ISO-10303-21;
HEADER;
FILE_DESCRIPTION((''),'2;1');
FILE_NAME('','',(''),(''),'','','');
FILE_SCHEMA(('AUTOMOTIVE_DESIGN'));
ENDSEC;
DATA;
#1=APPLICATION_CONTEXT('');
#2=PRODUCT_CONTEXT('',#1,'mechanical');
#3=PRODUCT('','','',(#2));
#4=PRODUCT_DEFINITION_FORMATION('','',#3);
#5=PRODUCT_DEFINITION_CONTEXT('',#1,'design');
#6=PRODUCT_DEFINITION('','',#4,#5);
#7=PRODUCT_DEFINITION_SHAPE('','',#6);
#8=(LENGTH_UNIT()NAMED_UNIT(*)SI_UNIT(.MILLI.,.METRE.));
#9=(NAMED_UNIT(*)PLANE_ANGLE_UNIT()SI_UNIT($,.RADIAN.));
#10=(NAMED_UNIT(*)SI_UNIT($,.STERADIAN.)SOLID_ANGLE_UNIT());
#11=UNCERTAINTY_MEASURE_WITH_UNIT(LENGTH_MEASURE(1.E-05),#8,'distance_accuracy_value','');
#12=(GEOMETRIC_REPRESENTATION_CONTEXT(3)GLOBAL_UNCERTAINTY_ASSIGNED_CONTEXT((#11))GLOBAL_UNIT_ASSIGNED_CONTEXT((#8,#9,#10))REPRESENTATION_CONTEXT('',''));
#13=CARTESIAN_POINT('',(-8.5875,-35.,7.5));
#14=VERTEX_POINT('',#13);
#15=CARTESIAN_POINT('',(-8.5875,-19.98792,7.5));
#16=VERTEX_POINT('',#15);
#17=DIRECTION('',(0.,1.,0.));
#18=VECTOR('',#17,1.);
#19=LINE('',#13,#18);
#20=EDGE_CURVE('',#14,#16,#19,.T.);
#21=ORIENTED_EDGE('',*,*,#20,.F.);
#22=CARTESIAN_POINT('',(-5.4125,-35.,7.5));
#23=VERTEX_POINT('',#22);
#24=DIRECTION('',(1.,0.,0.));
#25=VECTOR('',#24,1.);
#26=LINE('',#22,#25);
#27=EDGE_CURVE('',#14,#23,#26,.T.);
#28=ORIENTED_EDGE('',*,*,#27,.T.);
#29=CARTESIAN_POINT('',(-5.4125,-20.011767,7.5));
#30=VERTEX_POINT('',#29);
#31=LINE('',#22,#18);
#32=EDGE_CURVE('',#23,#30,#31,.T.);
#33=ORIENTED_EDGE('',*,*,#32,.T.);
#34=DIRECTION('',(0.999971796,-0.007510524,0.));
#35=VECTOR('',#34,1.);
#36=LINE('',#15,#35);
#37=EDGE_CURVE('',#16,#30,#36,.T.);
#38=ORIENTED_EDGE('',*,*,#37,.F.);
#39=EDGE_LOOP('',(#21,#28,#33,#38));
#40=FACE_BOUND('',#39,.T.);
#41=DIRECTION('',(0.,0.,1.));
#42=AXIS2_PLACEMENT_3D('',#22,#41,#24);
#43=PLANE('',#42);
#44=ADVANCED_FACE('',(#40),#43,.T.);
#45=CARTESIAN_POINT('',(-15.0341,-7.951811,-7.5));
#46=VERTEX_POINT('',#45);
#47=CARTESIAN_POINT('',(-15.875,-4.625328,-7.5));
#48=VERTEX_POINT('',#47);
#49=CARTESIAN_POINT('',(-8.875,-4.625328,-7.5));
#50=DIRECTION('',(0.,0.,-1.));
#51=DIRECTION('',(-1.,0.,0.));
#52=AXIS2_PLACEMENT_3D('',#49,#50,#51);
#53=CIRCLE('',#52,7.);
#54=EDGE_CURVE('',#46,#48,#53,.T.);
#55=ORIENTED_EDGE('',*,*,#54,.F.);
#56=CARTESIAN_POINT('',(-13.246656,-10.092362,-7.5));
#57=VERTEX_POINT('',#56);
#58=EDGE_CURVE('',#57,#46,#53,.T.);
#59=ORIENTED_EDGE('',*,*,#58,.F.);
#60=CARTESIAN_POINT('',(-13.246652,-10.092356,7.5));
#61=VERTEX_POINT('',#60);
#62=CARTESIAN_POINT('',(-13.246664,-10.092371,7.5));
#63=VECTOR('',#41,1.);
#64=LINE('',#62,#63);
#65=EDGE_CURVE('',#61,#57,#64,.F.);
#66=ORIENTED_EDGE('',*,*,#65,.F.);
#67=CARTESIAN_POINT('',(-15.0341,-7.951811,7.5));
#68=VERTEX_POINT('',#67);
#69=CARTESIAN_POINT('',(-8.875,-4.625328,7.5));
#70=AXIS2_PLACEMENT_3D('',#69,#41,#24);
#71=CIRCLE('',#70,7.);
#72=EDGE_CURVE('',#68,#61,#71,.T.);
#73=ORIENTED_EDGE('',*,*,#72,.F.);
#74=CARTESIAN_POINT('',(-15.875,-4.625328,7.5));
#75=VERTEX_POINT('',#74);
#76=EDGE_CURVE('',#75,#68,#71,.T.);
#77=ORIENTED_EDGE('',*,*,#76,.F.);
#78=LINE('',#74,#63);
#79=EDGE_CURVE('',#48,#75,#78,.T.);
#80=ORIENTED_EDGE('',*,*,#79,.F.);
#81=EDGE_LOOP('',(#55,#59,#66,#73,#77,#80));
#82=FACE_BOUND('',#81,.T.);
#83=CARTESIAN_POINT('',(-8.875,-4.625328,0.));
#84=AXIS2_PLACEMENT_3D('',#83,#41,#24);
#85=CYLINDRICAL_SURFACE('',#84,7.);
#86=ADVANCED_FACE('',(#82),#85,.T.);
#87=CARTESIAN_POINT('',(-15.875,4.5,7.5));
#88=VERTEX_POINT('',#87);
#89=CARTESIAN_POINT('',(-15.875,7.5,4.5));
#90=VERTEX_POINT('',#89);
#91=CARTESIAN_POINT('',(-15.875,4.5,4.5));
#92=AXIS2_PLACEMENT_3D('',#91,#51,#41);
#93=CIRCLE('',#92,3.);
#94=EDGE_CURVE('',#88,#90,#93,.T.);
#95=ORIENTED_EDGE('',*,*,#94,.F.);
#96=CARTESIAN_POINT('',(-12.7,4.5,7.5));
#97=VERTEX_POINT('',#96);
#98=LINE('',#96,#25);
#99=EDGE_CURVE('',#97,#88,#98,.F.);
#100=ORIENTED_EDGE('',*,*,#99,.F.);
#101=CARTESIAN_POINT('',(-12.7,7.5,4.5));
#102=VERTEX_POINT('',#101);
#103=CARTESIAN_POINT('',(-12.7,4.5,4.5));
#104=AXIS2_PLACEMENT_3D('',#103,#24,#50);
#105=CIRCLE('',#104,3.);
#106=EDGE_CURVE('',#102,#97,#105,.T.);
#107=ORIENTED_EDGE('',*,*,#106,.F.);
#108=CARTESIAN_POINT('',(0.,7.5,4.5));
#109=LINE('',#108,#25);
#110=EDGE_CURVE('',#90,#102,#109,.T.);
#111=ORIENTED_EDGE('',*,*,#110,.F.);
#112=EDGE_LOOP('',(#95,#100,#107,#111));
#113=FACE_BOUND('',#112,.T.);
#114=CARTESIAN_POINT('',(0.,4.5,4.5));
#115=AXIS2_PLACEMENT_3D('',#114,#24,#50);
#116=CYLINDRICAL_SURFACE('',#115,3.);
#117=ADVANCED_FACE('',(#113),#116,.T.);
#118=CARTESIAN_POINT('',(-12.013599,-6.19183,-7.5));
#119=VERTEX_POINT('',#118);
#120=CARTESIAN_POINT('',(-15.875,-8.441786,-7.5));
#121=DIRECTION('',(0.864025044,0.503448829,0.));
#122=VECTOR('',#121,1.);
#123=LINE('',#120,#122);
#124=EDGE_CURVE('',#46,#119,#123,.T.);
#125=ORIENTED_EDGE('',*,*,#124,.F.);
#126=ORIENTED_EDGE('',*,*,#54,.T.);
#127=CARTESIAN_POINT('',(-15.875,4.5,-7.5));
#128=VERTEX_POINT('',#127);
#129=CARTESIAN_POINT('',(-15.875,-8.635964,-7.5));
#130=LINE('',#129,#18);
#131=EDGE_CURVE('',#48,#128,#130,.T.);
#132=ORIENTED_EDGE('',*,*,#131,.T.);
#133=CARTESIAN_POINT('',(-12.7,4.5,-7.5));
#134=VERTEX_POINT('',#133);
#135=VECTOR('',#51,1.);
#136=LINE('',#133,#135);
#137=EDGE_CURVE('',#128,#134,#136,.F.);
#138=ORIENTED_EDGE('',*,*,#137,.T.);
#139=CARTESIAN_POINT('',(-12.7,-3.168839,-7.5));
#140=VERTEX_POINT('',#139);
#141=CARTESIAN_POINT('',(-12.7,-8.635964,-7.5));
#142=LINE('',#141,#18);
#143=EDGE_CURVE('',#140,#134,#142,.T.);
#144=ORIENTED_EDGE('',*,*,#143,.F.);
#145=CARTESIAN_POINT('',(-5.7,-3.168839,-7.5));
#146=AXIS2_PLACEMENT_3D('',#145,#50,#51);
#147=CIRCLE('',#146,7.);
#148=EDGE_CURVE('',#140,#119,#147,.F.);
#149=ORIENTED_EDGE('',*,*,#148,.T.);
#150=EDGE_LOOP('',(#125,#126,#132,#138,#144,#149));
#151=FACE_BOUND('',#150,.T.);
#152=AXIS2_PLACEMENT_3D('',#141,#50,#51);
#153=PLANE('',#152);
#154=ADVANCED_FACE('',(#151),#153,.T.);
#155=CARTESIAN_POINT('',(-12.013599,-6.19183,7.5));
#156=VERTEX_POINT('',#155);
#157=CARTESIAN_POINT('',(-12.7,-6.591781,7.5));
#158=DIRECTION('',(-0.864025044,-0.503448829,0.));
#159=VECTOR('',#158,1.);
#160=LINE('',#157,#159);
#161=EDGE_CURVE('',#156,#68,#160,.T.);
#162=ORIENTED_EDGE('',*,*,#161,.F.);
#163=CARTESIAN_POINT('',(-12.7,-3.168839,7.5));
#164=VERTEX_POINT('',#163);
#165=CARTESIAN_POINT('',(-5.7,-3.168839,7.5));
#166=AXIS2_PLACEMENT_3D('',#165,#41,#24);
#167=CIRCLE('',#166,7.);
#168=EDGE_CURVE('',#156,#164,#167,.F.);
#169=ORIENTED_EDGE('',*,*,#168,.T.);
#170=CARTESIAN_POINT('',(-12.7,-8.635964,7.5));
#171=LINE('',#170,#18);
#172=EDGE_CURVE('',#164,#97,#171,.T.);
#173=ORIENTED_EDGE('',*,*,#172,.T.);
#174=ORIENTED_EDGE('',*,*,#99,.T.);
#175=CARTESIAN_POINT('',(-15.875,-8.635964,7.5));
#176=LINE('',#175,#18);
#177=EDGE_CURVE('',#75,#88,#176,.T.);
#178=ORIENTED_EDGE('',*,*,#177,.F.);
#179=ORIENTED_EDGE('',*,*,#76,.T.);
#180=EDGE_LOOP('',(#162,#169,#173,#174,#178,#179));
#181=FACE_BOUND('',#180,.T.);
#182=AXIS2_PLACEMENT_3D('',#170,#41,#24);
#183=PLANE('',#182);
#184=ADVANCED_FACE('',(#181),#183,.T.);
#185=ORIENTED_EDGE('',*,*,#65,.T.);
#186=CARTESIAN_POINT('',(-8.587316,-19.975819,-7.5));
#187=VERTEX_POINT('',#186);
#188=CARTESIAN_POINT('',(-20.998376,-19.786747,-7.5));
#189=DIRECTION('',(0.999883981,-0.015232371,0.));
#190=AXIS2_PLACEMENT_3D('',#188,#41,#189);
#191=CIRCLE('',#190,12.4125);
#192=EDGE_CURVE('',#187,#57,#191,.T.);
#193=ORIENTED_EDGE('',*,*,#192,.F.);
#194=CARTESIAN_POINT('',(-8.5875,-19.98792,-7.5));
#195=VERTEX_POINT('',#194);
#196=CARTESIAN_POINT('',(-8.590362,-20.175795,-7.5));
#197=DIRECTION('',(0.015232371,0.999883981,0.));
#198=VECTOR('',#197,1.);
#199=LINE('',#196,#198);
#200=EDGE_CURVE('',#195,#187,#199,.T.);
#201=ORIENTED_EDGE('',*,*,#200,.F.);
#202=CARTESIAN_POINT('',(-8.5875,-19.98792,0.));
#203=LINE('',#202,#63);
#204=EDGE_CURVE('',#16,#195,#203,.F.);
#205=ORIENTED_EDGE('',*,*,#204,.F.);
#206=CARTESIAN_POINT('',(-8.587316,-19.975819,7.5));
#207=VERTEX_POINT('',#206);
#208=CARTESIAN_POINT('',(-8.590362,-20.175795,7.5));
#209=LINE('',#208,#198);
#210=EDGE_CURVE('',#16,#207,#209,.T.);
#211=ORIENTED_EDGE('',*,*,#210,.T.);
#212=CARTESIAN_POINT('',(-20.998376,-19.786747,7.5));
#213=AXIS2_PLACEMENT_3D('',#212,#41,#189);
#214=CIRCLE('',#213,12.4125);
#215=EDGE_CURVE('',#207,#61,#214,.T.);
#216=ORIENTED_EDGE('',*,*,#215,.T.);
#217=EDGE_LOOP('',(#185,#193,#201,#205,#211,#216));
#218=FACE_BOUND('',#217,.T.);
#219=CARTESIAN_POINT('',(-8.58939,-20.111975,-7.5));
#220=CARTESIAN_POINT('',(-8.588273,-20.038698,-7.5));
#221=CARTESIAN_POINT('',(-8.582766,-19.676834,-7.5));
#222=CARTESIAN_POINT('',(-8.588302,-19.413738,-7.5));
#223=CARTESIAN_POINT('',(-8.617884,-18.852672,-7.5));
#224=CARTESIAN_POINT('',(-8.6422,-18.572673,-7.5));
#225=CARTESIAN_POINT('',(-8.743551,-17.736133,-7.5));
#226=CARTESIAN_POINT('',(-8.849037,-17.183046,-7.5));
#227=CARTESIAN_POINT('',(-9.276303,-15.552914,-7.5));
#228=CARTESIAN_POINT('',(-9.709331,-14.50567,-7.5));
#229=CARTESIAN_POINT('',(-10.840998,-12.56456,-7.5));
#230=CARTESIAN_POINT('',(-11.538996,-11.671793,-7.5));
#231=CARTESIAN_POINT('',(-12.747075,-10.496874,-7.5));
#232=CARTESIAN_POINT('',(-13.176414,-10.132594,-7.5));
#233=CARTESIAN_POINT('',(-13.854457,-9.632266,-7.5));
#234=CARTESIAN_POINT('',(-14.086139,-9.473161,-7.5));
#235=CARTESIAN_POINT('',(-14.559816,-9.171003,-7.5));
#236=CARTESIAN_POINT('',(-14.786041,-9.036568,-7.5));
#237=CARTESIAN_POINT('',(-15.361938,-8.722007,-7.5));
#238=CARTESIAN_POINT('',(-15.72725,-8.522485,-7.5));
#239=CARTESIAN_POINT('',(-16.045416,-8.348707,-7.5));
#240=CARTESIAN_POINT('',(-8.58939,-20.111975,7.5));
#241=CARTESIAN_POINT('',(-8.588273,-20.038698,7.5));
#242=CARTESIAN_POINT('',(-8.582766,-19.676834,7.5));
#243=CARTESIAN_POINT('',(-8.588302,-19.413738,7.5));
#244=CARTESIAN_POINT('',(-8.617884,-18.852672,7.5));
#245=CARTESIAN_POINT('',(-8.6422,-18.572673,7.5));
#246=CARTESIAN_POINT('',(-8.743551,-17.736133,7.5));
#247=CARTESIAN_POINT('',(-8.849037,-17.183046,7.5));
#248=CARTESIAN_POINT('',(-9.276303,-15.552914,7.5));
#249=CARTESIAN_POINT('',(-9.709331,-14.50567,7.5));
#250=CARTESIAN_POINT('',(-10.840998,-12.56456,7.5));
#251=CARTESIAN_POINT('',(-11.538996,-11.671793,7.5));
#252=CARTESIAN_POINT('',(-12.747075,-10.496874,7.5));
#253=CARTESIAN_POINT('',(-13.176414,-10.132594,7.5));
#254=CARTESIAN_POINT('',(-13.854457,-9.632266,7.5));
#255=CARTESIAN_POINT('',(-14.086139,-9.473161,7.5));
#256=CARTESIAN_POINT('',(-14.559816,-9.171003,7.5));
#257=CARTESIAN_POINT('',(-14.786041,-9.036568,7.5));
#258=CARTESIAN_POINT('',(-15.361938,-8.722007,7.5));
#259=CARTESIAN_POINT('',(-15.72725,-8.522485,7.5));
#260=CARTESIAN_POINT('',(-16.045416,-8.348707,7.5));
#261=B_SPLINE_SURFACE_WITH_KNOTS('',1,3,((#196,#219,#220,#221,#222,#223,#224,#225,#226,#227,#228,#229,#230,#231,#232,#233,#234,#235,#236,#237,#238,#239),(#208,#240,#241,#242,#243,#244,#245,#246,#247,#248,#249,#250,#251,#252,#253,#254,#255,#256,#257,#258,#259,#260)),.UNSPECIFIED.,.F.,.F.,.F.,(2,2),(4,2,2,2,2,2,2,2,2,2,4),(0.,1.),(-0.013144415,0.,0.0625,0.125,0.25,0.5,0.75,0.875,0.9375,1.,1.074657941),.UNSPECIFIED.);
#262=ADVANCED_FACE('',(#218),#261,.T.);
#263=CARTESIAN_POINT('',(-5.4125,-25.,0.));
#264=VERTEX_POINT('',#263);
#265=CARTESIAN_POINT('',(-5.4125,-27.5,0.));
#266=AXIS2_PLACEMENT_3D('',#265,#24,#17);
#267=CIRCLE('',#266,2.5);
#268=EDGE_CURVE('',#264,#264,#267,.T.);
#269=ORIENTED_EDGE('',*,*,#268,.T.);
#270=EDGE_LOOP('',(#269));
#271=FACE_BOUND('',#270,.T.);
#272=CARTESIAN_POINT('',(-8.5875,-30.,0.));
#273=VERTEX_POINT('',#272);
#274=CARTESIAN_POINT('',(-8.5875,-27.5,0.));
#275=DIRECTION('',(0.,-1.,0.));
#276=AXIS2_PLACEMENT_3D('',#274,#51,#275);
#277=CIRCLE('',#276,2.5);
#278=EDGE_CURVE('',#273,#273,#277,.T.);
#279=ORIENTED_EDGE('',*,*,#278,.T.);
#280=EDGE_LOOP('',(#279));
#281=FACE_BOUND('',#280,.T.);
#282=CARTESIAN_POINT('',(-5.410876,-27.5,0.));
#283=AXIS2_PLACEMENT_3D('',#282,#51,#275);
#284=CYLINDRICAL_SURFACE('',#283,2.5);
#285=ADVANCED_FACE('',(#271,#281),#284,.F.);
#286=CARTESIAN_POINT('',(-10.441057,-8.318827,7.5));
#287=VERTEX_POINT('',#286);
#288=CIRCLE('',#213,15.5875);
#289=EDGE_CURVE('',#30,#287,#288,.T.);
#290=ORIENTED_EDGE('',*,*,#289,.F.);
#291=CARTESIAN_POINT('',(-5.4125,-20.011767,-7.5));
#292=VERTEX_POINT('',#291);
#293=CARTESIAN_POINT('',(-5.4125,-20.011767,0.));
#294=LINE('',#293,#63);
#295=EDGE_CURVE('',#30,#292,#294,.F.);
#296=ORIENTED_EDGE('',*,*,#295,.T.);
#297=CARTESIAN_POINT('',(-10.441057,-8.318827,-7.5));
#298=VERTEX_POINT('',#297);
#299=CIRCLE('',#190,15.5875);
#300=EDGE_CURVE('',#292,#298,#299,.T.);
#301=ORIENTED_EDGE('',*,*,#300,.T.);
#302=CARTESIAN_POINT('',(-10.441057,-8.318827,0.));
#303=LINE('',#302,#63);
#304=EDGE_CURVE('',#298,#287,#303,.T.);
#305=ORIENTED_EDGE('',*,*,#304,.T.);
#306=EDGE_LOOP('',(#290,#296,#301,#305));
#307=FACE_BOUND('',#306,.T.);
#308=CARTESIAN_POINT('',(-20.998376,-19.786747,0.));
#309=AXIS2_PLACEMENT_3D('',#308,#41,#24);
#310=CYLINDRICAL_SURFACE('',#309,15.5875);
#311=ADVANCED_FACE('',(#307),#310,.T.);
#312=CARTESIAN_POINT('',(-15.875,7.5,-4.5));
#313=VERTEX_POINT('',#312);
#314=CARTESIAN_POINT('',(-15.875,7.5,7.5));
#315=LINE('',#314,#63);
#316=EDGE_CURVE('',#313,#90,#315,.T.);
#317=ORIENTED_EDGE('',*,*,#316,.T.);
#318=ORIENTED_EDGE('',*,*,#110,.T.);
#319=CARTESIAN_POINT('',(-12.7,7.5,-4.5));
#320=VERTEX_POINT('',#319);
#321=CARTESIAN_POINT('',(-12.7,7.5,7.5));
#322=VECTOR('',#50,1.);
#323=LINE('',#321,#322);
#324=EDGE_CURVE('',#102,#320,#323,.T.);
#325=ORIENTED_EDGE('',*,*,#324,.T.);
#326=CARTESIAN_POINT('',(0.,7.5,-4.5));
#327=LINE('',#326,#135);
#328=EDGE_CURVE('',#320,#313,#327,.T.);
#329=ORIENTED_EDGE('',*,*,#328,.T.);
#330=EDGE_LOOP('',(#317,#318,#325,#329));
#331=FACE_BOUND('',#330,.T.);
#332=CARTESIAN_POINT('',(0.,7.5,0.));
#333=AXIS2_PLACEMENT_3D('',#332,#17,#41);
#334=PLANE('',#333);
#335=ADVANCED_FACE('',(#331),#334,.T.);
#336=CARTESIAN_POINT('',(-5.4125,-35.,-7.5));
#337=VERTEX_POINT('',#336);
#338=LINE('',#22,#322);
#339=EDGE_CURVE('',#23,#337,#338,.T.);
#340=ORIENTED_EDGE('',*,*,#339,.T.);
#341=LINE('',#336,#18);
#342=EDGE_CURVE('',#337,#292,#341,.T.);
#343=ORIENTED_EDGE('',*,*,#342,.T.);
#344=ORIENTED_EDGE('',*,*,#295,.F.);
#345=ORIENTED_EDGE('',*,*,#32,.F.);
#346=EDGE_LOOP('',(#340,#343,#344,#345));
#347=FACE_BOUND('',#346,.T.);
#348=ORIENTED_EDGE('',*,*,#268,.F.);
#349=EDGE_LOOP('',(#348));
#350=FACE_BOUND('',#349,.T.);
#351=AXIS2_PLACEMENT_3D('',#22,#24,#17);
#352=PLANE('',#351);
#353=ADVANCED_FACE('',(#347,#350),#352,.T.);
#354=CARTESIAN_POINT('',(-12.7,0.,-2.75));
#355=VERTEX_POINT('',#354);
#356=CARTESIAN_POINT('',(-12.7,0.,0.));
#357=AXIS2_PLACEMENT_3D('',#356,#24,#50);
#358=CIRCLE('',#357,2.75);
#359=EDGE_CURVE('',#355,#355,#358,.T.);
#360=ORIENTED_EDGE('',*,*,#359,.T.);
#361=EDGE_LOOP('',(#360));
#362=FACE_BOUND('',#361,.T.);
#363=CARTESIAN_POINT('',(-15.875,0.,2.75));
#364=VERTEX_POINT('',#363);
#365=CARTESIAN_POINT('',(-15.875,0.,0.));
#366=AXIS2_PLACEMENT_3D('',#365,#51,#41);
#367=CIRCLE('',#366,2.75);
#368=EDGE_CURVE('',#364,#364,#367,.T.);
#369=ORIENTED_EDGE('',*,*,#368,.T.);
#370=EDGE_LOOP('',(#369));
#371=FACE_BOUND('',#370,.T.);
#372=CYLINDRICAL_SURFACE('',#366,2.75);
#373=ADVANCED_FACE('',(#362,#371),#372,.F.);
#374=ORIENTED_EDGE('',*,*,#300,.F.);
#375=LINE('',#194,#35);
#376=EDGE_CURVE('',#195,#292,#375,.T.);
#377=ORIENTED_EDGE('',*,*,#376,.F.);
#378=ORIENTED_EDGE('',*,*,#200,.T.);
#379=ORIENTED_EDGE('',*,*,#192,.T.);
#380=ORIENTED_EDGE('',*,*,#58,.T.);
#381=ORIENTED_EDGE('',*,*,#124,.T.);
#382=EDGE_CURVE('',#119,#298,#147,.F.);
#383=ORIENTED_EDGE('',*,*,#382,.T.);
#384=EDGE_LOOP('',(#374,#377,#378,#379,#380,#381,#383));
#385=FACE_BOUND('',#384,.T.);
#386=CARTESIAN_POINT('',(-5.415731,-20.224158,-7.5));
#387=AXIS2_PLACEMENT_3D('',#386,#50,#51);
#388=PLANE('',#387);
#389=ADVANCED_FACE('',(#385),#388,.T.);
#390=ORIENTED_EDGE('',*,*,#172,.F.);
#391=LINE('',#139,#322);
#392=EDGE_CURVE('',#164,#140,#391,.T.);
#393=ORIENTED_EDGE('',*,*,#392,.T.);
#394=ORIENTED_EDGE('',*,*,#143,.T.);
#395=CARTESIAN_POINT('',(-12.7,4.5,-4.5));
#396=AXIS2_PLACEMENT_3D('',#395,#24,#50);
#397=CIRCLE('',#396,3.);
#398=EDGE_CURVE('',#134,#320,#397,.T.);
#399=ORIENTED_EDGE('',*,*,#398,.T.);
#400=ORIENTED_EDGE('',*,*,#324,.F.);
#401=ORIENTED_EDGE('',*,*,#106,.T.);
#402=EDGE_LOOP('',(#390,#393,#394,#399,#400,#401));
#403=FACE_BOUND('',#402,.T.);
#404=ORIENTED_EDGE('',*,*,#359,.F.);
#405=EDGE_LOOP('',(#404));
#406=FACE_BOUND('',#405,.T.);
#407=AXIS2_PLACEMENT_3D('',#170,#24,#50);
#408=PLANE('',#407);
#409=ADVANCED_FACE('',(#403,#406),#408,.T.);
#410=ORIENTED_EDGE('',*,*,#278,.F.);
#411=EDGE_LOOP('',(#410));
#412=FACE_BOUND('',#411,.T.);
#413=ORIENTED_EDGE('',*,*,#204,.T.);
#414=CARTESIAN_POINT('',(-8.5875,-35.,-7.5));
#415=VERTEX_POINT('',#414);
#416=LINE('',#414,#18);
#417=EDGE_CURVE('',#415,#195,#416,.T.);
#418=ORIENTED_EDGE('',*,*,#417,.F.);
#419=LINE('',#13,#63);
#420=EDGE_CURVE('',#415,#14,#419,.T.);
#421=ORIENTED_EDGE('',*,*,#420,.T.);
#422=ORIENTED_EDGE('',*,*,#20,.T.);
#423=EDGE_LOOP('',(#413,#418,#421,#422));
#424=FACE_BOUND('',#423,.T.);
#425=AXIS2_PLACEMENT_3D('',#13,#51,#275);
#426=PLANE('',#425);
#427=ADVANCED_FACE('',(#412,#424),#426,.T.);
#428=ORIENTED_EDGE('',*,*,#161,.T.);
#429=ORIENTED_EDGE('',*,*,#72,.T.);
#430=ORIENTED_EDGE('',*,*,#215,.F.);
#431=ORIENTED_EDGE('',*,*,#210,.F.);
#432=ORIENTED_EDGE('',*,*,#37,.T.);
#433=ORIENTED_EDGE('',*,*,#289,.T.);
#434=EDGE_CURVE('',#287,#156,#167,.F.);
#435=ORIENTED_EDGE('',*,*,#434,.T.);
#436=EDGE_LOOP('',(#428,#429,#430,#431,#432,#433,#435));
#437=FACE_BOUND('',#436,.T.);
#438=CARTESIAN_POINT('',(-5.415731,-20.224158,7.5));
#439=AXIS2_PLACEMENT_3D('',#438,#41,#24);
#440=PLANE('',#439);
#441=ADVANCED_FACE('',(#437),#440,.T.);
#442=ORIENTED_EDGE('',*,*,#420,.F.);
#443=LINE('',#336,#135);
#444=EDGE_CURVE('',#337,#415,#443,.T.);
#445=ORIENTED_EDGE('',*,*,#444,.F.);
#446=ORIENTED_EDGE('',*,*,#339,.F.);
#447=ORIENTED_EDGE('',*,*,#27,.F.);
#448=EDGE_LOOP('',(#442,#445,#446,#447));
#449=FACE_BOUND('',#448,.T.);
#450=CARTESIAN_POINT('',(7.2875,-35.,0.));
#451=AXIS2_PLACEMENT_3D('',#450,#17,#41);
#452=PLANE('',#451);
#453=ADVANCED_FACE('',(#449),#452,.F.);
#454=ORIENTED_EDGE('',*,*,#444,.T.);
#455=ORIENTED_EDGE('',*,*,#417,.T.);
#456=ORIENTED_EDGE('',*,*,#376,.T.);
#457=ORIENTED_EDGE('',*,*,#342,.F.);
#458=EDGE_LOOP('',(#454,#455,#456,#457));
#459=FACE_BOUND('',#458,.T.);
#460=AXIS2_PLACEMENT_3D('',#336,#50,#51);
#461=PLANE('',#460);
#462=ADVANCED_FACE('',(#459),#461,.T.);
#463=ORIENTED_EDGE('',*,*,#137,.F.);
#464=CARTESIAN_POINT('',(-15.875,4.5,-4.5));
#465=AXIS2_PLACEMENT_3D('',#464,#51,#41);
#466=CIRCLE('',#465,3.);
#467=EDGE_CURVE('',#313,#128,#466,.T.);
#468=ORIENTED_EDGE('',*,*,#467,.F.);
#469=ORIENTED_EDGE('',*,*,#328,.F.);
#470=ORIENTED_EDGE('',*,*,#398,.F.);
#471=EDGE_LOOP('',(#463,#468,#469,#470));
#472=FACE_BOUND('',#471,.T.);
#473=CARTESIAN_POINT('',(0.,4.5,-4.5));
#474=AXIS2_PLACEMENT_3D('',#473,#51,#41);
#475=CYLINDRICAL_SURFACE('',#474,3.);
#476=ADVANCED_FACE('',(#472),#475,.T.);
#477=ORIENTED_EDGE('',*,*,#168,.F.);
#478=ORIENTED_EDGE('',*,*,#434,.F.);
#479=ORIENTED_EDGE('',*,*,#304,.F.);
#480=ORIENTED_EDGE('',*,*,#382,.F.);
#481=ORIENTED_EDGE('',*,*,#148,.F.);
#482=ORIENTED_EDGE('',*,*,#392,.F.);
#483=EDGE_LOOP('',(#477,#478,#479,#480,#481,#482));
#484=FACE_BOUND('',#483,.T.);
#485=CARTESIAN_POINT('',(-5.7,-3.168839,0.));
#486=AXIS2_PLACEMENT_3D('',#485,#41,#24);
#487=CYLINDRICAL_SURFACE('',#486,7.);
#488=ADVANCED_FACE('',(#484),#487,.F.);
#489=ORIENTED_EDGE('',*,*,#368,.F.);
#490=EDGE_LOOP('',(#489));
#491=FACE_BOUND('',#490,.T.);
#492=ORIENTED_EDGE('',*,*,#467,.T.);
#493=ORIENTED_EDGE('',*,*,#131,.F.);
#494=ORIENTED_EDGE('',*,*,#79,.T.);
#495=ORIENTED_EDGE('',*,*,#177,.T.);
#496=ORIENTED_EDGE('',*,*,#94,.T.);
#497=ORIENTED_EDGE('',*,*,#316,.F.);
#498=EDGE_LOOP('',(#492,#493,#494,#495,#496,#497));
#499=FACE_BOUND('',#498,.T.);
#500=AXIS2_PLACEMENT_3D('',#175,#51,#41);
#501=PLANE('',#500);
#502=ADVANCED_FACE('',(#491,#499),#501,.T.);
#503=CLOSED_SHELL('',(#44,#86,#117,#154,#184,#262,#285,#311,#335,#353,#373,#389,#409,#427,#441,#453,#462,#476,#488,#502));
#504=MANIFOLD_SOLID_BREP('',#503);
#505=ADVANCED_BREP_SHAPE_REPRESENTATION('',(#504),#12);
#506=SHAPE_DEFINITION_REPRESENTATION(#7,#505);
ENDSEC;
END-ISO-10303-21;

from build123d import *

# Parameters (mm, degrees)
FILLET1_R               = 7
M5_CLEARANCE_HOLE1_D    = 5.5
CUT_EXTRUDE1_DEPTH      = 37.52886072966826
CUT_EXTRUDE1_DEPTH_BACK = 37.52886072966826
SKETCH3_R               = 2.4999999999999996
FILLET2_R               = 3


with BuildPart() as part:
    # Sweep1: sweep along a path in Sketch1
    with BuildLine(Plane.XY) as sweep1_path:
        Line((-14.2875, 7.5), (-14.2875, -7.5))
        ThreePointArc((-14.2875, -7.5), (-8.903716825795872, -12.735560659438995), (-7.000000000000001, -20))
        Line((-7.000000000000001, -20), (-6.999999999999999, -35))
    # Sketch2 → Sweep1 (sweep)
    with BuildSketch(Plane(origin=(0, 0, 0), x_dir=(1, 0, 0), z_dir=(0, 1, 0))):
        Polygon((-12.699999999999996, -7.499999999999996), (-15.874999999999996, -7.499999999999996), (-15.874999999999996, 7.500000000000004), (-12.699999999999996, 7.500000000000005), align=None)
    sweep(path=sweep1_path.line, transition=Transition.RIGHT)

    # Fillet1
    fillet1_edges = [part.edges().sort_by_distance(p)[0] for p in [
        (-15.874999999999996, -8.441785890670294, -1.599e-14),
        (-12.699999999999996, -6.5917812273426035, -7.11e-15),
    ]]
    fillet(fillet1_edges, radius=FILLET1_R)

    # M5 Clearance Hole1 (through all)
    with Locations(Plane.ZY.offset(15.874999999999996)):
        with Locations((0, 0)):
            Hole(M5_CLEARANCE_HOLE1_D / 2)

    # Sketch3 → Cut-Extrude1 (cut, two sides: drawn at the far end of the back side and taken through both)
    with BuildSketch(Plane.ZY.offset(8.587500000000007).offset(-CUT_EXTRUDE1_DEPTH_BACK)):
        with Locations(Location((0, -27.500000000000004, 0), (0, 0, 270))):
            Circle(SKETCH3_R)
    extrude(amount=CUT_EXTRUDE1_DEPTH + CUT_EXTRUDE1_DEPTH_BACK, mode=Mode.SUBTRACT)

    # Fillet2
    fillet2_edges = [part.edges().sort_by_distance(p)[0] for p in [
        (-14.287499999999996, 7.5, 7.499999999999996),
        (-14.287499999999996, 7.5, -7.500000000000005),
    ]]
    fillet(fillet2_edges, radius=FILLET2_R)


solid = part.part
